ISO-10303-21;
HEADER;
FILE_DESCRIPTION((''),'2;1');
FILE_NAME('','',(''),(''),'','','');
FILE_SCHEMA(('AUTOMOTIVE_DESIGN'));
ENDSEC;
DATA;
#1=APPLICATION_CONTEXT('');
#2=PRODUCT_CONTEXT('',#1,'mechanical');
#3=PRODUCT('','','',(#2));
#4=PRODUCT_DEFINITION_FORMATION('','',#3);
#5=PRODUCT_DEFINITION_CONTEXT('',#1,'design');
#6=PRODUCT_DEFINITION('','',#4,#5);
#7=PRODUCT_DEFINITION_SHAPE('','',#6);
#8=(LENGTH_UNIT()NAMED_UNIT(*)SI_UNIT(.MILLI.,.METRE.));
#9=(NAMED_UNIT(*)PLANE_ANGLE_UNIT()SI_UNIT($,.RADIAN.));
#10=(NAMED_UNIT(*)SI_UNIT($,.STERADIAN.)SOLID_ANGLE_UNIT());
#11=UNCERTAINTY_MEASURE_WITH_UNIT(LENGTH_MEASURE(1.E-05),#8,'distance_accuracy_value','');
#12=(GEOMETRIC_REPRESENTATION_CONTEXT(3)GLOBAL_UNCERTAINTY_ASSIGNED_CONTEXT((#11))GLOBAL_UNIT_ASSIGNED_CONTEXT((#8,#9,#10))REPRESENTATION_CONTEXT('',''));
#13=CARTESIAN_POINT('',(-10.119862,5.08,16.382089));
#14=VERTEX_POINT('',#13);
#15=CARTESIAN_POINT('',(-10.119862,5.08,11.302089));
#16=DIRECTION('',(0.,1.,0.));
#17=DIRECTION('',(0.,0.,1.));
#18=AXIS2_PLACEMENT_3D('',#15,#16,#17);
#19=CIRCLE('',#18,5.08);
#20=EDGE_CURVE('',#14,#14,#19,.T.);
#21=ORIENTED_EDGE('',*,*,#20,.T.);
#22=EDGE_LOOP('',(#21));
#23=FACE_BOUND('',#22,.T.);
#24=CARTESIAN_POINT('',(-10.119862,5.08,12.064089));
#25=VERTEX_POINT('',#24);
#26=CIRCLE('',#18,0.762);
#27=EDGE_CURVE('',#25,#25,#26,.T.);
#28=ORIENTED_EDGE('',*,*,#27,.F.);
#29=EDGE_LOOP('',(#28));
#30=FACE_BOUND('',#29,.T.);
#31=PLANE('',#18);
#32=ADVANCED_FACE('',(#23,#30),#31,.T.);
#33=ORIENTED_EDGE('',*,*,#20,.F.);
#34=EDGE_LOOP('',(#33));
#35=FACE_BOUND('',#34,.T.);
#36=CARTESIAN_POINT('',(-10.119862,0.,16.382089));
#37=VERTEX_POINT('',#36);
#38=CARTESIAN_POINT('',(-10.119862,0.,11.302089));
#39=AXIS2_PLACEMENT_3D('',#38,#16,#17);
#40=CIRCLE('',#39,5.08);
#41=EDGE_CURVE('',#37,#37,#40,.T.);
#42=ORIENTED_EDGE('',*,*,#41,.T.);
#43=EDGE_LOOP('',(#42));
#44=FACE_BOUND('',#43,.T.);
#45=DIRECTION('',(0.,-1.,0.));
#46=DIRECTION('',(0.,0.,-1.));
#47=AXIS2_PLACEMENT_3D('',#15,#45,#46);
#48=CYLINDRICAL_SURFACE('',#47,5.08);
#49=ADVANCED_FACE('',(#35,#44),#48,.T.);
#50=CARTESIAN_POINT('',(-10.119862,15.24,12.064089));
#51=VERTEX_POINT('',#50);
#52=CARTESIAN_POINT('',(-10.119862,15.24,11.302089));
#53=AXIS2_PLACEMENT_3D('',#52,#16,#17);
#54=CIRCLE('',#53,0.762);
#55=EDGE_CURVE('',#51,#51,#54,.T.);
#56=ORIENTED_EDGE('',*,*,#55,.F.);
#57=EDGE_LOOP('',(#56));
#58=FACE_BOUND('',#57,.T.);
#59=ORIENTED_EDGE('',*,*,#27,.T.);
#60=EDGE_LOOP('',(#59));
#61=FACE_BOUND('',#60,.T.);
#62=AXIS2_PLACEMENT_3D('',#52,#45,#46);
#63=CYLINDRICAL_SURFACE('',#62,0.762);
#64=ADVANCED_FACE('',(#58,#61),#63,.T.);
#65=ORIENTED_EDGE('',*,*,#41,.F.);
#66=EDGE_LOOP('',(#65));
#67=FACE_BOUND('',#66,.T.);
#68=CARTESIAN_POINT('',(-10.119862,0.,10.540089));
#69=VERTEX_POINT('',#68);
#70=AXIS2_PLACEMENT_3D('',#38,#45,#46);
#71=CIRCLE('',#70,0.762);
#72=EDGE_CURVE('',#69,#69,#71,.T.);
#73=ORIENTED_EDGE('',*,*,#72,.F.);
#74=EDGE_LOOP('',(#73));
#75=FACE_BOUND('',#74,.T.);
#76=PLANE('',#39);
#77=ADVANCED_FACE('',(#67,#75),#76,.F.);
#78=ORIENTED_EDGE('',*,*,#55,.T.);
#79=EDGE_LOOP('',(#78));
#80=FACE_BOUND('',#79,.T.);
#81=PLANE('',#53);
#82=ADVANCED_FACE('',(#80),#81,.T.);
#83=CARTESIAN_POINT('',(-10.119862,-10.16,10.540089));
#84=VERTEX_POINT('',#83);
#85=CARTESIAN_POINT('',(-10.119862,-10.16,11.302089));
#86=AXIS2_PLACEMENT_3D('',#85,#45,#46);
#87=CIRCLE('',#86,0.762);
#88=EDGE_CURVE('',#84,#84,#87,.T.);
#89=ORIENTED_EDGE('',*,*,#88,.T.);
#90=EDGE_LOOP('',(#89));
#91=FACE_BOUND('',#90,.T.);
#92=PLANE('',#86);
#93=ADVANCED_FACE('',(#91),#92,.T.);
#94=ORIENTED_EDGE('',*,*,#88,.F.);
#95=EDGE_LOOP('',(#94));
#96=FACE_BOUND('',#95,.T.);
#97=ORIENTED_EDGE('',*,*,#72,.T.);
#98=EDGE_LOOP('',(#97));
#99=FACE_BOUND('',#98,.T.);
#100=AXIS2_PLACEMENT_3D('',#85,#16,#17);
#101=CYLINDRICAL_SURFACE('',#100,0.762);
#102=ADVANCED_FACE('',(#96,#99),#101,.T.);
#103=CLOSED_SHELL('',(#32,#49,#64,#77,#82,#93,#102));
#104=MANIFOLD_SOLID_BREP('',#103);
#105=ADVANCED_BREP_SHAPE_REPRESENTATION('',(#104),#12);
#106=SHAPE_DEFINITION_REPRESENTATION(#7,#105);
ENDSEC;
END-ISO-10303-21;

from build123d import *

# Parameters (mm, degrees)
SKETCH1_R           = 5.08
BOSS_EXTRUDE2_DEPTH = 5.08
SKETCH2_R           = 0.762
BOSS_EXTRUDE3_DEPTH = 10.16
SKETCH3_R           = 0.762
BOSS_EXTRUDE4_DEPTH = 10.16


with BuildPart() as part:
    # Sketch1 → Boss-Extrude2 (new body)
    with BuildSketch(Plane(origin=(0, 0, 0), x_dir=(1, 0, 0), z_dir=(0, 1, 0))):
        with Locations((-10.119861789, -11.302088634)):
            Circle(SKETCH1_R)
    extrude(amount=BOSS_EXTRUDE2_DEPTH)

    # Sketch2 → Boss-Extrude3 (add)
    with BuildSketch(Plane(origin=(0, 5.08, 0), x_dir=(1, 0, 0), z_dir=(0, 1, 0))):
        with Locations((-10.119861789, -11.302088634)):
            Circle(SKETCH2_R)
    extrude(amount=BOSS_EXTRUDE3_DEPTH)

    # Sketch3 → Boss-Extrude4 (add)
    with BuildSketch(Plane.XZ):
        with Locations((-10.119861789, 11.302088634)):
            Circle(SKETCH3_R)
    extrude(amount=BOSS_EXTRUDE4_DEPTH)


solid = part.part
